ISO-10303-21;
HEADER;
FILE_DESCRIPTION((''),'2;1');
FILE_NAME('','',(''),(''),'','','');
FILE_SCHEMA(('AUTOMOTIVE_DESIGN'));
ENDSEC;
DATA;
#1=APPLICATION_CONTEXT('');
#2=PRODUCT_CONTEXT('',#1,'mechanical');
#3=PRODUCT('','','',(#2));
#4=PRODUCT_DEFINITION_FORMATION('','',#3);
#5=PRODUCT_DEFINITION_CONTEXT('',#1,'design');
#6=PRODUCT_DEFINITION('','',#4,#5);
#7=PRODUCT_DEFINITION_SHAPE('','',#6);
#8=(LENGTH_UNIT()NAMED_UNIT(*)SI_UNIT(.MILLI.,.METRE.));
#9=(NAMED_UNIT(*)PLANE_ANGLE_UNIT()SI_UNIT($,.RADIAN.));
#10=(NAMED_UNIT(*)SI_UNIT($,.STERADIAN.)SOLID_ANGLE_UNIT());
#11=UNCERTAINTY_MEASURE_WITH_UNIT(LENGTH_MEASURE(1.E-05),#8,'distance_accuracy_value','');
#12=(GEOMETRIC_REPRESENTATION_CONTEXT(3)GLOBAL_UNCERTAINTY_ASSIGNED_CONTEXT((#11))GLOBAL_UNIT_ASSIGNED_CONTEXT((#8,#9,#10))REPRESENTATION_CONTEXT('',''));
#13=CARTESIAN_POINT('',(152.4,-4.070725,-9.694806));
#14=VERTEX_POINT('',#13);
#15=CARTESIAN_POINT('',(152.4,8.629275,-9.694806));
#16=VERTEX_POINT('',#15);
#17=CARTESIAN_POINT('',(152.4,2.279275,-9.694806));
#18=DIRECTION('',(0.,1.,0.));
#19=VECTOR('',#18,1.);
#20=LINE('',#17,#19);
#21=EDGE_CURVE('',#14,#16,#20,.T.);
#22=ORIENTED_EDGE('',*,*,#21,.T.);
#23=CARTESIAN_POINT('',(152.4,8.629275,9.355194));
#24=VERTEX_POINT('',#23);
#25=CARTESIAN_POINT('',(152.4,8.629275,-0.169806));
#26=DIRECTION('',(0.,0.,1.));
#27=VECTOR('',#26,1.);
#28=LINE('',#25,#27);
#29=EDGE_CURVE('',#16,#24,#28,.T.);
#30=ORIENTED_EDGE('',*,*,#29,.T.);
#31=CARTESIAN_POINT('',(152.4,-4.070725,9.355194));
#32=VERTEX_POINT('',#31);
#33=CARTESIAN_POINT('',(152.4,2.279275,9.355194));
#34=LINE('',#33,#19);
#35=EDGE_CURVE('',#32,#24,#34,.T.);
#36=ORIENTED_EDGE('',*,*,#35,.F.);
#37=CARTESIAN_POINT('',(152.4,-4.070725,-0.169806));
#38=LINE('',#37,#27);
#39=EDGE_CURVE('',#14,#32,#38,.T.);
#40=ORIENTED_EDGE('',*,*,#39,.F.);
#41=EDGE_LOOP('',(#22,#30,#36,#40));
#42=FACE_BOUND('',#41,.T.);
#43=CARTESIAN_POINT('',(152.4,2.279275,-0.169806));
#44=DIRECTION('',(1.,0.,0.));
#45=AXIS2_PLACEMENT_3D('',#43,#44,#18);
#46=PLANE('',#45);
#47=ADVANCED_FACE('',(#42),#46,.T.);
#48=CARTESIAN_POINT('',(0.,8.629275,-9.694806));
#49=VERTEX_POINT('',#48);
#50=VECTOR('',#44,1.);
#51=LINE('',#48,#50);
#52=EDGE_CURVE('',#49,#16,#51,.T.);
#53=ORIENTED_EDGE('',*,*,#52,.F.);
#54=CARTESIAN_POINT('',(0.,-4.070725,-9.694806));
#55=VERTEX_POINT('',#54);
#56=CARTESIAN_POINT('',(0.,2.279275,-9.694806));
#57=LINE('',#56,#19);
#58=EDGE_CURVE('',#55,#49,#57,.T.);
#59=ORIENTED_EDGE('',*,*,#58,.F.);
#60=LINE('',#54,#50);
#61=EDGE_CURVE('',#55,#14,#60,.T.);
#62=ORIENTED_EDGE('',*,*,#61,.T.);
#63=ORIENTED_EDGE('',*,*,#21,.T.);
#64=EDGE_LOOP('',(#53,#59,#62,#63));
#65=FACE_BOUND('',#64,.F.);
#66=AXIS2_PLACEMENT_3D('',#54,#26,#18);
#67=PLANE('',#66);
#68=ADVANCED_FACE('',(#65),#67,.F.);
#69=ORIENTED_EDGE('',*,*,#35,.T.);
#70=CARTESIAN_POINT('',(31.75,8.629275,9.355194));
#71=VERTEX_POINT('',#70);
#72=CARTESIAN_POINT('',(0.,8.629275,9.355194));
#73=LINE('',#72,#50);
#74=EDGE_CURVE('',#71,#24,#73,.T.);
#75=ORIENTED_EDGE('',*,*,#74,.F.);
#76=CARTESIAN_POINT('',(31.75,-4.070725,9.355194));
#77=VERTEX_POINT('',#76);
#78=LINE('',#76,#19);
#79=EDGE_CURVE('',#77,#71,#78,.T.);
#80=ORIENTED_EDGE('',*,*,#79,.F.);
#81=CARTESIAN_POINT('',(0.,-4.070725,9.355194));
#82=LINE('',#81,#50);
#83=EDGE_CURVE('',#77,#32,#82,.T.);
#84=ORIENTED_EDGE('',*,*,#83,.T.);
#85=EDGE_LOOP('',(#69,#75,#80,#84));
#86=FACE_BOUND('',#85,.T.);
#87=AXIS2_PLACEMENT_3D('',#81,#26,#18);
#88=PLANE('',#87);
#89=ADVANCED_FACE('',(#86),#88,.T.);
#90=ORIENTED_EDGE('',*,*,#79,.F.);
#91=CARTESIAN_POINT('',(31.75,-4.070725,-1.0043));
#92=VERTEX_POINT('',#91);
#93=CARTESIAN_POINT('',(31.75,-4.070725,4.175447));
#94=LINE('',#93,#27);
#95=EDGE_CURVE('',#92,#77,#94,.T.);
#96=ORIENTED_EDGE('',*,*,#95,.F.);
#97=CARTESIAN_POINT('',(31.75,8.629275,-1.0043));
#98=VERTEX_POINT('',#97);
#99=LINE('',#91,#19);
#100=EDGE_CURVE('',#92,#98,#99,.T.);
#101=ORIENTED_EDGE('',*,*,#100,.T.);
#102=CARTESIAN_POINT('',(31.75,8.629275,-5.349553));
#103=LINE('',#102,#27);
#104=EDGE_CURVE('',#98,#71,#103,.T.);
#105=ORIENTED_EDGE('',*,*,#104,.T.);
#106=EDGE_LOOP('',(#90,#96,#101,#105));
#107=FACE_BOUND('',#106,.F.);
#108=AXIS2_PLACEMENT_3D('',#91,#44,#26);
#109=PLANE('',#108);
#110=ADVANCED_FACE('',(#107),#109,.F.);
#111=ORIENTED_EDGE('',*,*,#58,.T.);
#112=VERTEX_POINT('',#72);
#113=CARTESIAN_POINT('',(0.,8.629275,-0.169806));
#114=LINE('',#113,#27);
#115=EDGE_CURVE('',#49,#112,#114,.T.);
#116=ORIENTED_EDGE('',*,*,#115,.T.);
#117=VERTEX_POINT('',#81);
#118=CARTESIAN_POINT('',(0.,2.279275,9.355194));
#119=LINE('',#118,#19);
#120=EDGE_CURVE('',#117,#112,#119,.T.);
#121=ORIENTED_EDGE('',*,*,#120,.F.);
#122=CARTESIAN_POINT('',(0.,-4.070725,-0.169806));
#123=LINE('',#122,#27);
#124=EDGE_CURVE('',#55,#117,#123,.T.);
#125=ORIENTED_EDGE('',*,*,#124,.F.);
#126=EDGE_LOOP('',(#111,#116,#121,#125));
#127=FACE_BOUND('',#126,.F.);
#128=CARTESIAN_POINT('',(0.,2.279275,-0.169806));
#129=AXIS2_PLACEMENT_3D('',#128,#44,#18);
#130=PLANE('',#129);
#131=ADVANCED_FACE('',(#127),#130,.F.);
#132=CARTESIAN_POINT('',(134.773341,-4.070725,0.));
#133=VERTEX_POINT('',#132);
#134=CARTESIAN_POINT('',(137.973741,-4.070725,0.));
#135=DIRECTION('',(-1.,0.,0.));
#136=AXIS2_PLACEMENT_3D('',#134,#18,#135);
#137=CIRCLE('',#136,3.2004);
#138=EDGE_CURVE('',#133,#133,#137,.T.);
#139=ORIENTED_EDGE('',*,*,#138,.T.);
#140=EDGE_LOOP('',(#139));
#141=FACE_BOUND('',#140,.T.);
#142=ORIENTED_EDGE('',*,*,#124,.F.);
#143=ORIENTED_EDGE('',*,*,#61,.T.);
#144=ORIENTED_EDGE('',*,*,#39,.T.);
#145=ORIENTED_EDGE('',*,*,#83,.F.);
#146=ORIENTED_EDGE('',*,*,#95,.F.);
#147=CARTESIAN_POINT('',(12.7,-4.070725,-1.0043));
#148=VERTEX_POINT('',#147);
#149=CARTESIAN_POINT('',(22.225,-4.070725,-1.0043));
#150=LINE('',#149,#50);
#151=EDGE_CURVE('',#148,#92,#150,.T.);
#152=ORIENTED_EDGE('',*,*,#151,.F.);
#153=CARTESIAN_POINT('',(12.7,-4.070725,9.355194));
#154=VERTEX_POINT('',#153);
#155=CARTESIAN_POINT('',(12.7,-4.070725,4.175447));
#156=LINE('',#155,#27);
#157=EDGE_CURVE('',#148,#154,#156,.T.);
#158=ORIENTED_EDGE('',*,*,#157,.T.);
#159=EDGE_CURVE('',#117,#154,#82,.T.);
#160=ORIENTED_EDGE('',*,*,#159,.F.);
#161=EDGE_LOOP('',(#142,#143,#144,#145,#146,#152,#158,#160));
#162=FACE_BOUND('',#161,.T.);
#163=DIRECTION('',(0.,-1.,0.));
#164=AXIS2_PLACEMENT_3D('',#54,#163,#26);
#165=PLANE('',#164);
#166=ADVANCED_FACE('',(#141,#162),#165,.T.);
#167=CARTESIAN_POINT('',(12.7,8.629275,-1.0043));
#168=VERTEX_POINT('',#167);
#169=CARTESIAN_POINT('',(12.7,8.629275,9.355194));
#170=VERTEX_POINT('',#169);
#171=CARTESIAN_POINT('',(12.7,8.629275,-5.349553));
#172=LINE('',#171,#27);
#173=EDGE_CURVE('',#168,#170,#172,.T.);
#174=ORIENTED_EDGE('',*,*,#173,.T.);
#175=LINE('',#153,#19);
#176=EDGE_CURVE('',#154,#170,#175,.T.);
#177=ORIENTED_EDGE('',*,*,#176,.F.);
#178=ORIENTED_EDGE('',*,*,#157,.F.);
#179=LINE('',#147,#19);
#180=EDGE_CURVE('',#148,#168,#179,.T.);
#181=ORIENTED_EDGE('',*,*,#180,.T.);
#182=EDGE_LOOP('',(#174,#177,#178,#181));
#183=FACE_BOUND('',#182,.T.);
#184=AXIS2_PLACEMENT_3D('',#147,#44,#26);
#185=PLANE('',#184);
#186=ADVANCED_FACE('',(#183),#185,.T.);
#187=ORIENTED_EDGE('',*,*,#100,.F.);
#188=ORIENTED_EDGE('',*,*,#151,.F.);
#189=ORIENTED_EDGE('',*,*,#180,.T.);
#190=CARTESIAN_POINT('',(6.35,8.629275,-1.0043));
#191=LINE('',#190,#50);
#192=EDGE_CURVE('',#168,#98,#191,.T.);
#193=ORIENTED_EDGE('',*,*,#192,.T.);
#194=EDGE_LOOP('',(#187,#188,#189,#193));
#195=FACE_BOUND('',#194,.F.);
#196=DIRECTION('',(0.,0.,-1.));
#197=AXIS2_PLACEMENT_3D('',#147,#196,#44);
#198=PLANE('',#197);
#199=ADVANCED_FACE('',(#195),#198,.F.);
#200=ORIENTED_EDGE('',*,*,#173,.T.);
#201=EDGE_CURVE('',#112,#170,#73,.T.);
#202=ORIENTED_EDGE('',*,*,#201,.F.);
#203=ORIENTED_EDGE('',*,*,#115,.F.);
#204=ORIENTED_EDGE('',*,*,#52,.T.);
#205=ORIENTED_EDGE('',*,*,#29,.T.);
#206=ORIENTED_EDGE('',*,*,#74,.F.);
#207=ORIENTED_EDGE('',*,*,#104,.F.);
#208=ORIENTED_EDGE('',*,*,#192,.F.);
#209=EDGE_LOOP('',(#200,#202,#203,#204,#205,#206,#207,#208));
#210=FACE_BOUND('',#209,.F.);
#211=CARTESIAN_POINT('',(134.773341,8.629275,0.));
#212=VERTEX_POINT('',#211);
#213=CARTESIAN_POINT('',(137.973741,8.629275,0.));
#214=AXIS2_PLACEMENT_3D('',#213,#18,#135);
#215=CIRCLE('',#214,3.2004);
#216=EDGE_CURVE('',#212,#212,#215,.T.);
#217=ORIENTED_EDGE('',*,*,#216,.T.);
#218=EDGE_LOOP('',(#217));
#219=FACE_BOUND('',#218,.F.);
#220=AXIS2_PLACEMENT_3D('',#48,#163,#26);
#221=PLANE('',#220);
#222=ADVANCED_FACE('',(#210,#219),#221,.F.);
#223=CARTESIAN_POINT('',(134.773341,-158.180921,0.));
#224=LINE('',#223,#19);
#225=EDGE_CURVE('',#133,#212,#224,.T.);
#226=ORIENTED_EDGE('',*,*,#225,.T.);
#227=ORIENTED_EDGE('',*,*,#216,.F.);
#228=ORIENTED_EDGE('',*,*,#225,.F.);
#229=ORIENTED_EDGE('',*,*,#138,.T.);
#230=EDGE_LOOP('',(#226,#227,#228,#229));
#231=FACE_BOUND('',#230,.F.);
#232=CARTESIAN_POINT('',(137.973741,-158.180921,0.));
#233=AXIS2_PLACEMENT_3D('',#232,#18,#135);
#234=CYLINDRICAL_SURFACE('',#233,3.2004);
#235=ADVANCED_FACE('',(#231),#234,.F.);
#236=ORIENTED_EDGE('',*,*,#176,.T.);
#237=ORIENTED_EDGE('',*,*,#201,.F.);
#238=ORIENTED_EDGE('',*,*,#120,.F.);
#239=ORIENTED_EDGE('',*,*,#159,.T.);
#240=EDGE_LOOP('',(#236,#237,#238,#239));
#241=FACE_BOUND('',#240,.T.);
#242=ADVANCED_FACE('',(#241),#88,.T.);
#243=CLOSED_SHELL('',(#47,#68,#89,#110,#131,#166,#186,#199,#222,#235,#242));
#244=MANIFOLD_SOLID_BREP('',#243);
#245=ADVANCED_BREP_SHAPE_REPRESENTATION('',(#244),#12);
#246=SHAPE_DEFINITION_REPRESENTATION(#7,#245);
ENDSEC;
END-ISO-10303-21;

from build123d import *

# Parameters (mm, degrees)
F0_W     = 12.7
F0_H     = 19.05
F1_DEPTH = 152.4
F2_W     = 19.05
F2_H     = 10.359494
F3_DEPTH = 25.4
F5_D     = 6.4008


with BuildPart() as f1:
    # F0 (on Right) → F1 (new body)
    with BuildSketch(Plane.YZ):
        with Locations((2.279275, -0.169806)):
            Rectangle(F0_W, F0_H)
    extrude(amount=F1_DEPTH)

    # F2 (on face) → F3 (cut)
    with BuildSketch(Plane.XZ.offset(4.070725)):
        with Locations((22.225, 4.175447)):
            Rectangle(F2_W, F2_H)
    extrude(amount=-F3_DEPTH, mode=Mode.SUBTRACT)

    # F5 (through all)
    with Locations(Plane.XZ.offset(4.070725)):
        with Locations((137.973741, 0)):
            Hole(F5_D / 2)


solid = f1.part
